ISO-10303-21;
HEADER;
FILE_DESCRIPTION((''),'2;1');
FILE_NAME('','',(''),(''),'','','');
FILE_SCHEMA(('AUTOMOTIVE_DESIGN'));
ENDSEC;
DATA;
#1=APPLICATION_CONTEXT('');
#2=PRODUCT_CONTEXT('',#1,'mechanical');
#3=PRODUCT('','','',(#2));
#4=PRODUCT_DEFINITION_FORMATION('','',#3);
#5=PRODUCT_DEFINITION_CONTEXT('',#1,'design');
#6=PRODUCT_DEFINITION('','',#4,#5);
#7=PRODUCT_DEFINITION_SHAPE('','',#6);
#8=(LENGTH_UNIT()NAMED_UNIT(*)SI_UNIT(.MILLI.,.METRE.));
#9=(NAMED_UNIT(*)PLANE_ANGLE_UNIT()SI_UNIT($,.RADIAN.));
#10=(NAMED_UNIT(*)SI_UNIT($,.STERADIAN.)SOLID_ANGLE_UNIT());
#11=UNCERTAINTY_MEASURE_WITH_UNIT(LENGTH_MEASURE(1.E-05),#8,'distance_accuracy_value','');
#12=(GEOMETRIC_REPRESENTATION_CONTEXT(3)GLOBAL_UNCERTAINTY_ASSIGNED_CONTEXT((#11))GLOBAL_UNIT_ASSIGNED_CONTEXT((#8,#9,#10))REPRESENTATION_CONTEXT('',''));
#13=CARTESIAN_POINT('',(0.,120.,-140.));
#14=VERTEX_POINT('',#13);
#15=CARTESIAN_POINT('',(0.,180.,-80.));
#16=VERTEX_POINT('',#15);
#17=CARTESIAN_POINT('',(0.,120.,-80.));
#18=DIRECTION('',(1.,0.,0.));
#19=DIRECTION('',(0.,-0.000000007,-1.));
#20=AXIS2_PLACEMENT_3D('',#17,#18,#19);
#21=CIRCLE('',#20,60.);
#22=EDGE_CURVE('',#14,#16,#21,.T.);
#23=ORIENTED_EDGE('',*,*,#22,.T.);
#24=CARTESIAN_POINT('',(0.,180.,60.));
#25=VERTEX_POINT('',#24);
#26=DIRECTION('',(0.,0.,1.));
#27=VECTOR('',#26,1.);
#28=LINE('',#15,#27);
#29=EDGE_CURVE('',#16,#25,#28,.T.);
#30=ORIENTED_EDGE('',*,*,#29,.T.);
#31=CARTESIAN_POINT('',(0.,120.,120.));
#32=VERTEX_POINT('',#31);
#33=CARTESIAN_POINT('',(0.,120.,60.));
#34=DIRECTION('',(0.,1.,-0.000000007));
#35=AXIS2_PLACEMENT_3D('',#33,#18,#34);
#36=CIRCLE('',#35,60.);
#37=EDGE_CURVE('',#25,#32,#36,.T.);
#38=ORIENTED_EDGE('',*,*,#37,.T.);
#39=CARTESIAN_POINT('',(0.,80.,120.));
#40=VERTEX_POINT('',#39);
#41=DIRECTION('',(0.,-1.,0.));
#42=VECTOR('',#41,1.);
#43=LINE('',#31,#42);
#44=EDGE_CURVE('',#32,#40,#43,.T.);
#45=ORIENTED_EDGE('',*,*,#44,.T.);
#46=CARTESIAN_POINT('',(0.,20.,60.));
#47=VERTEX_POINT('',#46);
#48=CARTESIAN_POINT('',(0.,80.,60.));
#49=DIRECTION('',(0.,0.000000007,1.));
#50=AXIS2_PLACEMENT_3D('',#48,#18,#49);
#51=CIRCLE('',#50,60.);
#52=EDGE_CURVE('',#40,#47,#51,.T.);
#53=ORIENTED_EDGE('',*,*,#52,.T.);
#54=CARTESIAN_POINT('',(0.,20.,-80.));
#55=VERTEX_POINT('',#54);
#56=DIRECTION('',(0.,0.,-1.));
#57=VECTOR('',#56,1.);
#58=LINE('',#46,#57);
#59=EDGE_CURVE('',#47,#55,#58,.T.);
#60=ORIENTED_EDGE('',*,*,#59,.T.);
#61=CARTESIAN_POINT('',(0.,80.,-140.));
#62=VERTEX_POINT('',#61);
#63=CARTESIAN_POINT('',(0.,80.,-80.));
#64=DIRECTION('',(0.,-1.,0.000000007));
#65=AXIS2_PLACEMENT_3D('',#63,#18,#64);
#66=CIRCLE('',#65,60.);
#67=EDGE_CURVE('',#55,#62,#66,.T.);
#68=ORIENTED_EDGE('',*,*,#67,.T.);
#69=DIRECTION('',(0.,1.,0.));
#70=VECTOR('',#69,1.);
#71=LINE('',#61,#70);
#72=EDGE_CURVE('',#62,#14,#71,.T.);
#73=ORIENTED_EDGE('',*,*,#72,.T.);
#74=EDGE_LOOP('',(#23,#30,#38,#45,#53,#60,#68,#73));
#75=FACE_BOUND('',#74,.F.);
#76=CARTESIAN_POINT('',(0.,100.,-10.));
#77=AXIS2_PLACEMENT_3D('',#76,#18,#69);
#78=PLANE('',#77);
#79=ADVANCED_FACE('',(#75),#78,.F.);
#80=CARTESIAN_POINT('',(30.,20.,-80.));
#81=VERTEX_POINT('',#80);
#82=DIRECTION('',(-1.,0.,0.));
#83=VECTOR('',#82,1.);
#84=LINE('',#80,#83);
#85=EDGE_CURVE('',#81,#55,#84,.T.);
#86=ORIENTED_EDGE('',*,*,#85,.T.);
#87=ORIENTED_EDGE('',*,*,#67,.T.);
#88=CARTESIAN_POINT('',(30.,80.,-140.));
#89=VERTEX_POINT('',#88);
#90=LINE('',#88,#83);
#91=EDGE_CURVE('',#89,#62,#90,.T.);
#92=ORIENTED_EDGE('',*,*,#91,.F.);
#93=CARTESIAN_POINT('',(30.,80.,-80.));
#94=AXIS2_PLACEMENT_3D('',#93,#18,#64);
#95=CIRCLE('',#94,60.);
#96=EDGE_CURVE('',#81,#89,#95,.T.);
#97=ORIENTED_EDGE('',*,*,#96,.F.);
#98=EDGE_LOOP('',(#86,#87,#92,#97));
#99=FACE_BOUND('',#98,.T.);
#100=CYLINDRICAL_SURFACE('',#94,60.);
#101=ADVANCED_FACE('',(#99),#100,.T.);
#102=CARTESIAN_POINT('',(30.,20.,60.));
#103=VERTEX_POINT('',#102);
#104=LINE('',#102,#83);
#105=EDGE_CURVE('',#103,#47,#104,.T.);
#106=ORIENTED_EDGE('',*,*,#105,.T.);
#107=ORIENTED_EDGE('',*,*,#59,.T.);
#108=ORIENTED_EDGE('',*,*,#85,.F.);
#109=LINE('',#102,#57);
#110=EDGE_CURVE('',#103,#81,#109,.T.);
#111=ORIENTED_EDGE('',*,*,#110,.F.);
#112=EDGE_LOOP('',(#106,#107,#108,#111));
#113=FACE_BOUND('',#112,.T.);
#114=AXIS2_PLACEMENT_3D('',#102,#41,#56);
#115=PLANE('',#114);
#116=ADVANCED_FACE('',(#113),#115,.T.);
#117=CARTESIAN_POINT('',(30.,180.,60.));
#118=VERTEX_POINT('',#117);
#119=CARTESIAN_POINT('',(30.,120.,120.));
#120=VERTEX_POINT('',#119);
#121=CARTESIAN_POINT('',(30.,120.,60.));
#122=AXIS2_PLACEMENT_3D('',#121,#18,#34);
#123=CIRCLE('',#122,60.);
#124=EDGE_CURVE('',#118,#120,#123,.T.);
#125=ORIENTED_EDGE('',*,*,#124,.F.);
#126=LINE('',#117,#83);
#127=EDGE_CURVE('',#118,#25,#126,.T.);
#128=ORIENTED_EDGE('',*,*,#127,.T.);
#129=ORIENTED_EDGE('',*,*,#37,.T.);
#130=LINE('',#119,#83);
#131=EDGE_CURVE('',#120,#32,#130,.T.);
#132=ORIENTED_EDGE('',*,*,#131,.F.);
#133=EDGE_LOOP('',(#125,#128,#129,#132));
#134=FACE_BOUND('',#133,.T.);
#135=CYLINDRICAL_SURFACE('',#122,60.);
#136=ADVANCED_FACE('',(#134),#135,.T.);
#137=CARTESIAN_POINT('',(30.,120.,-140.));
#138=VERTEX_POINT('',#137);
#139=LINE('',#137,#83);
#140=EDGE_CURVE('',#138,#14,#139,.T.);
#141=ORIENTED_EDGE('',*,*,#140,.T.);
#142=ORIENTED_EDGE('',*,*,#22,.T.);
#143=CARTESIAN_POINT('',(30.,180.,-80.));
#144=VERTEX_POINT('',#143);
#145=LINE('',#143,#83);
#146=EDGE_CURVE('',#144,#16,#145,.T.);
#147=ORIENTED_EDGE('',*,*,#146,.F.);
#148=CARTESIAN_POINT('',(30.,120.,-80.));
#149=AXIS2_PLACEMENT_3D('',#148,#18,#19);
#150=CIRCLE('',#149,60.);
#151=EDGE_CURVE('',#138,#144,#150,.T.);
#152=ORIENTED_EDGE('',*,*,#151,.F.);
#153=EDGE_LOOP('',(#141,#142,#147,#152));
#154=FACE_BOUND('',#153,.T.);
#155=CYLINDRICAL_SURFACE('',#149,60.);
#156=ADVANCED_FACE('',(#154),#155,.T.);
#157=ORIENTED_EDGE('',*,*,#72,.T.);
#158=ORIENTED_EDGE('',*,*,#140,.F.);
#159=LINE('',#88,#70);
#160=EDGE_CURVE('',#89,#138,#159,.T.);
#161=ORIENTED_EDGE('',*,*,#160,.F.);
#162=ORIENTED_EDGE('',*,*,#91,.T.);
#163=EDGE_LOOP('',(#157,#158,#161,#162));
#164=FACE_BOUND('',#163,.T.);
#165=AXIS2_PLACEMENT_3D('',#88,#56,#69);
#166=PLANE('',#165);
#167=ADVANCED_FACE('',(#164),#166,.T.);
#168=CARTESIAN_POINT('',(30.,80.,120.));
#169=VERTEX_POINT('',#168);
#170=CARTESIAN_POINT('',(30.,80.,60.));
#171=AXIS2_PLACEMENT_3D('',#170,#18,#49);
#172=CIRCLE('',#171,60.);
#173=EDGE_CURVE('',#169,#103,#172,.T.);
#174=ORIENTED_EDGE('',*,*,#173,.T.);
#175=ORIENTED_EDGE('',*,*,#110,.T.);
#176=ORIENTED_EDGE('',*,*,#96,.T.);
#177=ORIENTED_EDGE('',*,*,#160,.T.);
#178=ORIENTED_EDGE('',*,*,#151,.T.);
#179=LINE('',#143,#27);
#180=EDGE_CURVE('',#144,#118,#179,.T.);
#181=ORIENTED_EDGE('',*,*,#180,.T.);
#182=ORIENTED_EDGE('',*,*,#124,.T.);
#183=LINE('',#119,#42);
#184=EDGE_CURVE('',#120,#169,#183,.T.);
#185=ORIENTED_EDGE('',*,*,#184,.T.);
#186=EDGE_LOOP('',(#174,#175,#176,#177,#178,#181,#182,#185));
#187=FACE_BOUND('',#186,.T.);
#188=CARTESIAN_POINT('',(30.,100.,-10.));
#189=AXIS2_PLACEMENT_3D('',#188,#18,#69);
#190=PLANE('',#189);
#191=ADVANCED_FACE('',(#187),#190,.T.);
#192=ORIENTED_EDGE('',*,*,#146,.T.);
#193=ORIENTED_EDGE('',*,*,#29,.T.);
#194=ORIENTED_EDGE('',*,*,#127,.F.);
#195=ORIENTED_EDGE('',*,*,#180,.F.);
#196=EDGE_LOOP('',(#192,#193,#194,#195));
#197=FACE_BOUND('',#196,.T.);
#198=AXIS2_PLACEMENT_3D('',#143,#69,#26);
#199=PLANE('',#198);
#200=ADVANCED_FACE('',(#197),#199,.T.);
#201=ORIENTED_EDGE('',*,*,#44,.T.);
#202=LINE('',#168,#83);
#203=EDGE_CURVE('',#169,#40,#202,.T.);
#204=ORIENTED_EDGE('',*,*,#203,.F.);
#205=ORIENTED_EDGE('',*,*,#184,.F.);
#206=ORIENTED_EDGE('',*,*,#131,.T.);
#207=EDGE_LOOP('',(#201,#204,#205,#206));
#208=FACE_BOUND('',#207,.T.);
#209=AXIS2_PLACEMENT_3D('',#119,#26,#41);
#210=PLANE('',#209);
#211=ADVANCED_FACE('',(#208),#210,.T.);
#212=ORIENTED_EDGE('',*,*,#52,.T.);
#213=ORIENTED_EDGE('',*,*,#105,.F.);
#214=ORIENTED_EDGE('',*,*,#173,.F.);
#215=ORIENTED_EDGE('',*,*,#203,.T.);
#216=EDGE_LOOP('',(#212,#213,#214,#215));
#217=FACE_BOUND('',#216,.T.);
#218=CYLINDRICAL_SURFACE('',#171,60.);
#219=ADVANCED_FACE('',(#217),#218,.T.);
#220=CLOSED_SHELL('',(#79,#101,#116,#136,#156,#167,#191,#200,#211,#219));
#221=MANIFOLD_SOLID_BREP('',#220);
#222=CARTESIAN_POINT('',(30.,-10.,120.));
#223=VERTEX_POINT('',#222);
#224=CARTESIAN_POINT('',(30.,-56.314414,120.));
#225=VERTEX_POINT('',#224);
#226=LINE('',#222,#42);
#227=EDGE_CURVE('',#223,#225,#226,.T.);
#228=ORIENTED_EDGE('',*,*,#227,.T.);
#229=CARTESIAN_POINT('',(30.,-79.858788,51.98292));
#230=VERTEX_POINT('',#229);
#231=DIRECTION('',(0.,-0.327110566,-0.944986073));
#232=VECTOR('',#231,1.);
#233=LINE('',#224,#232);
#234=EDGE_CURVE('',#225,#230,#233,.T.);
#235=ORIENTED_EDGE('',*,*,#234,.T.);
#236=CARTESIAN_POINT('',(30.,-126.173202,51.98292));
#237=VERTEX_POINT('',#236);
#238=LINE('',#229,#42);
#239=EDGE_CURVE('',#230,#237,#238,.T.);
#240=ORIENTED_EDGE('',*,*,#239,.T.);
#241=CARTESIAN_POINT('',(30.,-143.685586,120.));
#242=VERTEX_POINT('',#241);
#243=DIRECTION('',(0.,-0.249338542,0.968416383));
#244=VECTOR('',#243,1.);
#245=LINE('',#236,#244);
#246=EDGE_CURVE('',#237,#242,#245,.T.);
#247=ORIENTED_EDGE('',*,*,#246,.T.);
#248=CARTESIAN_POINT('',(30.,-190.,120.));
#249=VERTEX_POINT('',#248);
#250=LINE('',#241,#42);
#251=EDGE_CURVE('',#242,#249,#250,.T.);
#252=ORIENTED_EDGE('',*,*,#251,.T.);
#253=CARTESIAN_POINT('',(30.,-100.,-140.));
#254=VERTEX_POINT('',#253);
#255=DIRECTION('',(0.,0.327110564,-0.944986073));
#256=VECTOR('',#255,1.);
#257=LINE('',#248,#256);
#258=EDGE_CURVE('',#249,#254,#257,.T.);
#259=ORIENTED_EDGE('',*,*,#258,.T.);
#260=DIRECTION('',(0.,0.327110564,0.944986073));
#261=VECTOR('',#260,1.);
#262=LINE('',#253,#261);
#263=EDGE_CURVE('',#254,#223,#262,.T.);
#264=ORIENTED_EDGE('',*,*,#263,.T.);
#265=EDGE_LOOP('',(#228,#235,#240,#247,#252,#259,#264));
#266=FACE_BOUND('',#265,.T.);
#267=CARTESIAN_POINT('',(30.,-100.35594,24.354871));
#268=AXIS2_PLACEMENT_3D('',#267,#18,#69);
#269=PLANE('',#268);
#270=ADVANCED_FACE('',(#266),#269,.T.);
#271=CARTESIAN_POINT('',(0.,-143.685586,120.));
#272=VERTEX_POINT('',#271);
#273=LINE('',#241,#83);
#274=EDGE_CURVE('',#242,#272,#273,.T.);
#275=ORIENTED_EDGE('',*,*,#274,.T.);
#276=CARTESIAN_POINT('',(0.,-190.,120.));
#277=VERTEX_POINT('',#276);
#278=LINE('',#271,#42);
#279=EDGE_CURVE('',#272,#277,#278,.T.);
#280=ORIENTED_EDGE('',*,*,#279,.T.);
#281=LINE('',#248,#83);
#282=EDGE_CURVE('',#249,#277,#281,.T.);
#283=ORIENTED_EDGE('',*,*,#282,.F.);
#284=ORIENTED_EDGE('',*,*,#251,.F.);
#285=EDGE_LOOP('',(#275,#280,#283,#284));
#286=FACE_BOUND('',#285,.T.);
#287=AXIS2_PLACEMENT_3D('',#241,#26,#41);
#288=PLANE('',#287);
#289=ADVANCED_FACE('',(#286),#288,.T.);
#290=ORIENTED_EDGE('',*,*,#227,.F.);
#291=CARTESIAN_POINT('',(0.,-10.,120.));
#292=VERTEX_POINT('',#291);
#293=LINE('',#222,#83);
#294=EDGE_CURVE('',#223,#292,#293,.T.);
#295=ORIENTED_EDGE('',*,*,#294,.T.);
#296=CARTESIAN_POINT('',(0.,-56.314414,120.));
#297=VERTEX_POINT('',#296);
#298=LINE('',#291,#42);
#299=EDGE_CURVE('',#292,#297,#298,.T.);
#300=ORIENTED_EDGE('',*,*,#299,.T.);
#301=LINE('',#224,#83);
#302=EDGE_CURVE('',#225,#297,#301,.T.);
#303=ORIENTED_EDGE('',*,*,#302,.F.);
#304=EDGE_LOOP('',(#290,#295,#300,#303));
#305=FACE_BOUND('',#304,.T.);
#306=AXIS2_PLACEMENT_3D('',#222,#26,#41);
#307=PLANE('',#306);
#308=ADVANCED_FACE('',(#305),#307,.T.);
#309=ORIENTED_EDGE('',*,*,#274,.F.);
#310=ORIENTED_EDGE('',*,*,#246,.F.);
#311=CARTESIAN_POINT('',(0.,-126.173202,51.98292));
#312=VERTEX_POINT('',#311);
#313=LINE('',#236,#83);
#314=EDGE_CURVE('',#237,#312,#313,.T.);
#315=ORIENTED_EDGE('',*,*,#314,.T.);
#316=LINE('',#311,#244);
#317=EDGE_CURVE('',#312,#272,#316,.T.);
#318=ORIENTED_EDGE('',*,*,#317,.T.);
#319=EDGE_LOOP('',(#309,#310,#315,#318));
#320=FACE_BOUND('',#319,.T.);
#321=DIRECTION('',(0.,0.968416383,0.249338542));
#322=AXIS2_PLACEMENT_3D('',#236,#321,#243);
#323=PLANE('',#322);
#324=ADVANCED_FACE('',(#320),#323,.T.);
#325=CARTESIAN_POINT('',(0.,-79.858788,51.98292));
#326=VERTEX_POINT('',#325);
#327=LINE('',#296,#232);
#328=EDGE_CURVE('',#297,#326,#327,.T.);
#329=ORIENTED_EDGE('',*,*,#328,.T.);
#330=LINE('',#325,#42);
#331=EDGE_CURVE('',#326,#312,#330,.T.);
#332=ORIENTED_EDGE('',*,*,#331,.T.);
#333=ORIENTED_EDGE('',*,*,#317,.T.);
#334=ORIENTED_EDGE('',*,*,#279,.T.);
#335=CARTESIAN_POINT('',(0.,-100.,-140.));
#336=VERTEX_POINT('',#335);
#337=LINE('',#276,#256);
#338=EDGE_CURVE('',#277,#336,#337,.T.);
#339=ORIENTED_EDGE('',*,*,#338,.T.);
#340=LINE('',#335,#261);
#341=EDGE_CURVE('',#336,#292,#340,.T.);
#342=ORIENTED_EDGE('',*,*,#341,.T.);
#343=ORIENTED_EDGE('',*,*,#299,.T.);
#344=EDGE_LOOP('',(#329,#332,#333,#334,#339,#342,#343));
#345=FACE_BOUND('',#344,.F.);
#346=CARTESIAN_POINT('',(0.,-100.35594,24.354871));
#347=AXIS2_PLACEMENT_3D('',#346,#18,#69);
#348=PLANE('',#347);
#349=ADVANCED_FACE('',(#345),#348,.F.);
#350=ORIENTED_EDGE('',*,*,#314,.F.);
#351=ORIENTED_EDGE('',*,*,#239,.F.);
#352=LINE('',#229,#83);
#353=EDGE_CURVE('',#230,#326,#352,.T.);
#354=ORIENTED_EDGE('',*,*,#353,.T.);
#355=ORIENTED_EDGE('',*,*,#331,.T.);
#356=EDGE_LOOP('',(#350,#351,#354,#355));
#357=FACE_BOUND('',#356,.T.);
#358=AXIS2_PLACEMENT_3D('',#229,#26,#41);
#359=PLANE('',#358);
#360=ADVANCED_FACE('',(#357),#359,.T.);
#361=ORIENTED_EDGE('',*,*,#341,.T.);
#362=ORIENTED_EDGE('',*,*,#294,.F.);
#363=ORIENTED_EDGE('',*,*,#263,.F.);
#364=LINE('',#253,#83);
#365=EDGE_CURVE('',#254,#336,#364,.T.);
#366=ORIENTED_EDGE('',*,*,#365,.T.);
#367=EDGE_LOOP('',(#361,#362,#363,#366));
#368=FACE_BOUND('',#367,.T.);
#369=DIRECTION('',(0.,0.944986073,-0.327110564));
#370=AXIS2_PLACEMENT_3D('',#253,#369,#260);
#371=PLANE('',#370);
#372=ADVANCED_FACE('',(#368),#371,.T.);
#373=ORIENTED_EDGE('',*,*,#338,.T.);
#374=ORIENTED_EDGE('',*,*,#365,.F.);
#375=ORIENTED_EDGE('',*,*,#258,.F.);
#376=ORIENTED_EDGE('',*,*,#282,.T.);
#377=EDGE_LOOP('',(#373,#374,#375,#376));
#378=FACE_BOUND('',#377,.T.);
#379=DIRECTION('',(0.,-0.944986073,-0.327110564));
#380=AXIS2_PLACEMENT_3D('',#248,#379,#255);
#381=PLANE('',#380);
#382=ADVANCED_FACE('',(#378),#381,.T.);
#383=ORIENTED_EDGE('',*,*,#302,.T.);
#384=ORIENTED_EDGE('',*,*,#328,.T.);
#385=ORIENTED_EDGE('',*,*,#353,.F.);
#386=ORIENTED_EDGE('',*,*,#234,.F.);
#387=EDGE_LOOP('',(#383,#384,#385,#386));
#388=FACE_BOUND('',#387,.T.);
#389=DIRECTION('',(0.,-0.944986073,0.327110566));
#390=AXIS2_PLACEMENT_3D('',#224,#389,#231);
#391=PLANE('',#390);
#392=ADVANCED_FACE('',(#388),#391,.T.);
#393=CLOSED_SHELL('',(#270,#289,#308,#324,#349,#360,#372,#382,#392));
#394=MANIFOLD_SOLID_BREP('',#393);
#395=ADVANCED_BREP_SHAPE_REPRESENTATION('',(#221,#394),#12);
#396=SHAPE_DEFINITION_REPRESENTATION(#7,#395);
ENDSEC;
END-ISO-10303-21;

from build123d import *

# Parameters (mm, degrees)
F2_DEPTH = 30


with BuildPart() as f2:
    # F1 (on offset) → F2 (new body)
    with BuildSketch(Plane.YZ.offset(30)):
        Polygon((-143.685586, 120), (-190, 120), (-100, -140), (-10, 120), (-56.314414, 120), (-79.858788, 51.98292), (-126.173202, 51.98292), align=None)
        with BuildLine():
            Line((120, 120), (80, 120))
            ThreePointArc((80, 120), (37.573593, 102.426407), (20, 60))
            Line((20, 60), (20, -80))
            ThreePointArc((20, -80), (37.573593, -122.426407), (80, -140))
            Line((80, -140), (120, -140))
            ThreePointArc((120, -140), (162.426407, -122.426407), (180, -80))
            Line((180, -80), (180, 60))
            ThreePointArc((180, 60), (162.426407, 102.426407), (120, 120))
        make_face()
    extrude(amount=-F2_DEPTH)


solid = f2.part
